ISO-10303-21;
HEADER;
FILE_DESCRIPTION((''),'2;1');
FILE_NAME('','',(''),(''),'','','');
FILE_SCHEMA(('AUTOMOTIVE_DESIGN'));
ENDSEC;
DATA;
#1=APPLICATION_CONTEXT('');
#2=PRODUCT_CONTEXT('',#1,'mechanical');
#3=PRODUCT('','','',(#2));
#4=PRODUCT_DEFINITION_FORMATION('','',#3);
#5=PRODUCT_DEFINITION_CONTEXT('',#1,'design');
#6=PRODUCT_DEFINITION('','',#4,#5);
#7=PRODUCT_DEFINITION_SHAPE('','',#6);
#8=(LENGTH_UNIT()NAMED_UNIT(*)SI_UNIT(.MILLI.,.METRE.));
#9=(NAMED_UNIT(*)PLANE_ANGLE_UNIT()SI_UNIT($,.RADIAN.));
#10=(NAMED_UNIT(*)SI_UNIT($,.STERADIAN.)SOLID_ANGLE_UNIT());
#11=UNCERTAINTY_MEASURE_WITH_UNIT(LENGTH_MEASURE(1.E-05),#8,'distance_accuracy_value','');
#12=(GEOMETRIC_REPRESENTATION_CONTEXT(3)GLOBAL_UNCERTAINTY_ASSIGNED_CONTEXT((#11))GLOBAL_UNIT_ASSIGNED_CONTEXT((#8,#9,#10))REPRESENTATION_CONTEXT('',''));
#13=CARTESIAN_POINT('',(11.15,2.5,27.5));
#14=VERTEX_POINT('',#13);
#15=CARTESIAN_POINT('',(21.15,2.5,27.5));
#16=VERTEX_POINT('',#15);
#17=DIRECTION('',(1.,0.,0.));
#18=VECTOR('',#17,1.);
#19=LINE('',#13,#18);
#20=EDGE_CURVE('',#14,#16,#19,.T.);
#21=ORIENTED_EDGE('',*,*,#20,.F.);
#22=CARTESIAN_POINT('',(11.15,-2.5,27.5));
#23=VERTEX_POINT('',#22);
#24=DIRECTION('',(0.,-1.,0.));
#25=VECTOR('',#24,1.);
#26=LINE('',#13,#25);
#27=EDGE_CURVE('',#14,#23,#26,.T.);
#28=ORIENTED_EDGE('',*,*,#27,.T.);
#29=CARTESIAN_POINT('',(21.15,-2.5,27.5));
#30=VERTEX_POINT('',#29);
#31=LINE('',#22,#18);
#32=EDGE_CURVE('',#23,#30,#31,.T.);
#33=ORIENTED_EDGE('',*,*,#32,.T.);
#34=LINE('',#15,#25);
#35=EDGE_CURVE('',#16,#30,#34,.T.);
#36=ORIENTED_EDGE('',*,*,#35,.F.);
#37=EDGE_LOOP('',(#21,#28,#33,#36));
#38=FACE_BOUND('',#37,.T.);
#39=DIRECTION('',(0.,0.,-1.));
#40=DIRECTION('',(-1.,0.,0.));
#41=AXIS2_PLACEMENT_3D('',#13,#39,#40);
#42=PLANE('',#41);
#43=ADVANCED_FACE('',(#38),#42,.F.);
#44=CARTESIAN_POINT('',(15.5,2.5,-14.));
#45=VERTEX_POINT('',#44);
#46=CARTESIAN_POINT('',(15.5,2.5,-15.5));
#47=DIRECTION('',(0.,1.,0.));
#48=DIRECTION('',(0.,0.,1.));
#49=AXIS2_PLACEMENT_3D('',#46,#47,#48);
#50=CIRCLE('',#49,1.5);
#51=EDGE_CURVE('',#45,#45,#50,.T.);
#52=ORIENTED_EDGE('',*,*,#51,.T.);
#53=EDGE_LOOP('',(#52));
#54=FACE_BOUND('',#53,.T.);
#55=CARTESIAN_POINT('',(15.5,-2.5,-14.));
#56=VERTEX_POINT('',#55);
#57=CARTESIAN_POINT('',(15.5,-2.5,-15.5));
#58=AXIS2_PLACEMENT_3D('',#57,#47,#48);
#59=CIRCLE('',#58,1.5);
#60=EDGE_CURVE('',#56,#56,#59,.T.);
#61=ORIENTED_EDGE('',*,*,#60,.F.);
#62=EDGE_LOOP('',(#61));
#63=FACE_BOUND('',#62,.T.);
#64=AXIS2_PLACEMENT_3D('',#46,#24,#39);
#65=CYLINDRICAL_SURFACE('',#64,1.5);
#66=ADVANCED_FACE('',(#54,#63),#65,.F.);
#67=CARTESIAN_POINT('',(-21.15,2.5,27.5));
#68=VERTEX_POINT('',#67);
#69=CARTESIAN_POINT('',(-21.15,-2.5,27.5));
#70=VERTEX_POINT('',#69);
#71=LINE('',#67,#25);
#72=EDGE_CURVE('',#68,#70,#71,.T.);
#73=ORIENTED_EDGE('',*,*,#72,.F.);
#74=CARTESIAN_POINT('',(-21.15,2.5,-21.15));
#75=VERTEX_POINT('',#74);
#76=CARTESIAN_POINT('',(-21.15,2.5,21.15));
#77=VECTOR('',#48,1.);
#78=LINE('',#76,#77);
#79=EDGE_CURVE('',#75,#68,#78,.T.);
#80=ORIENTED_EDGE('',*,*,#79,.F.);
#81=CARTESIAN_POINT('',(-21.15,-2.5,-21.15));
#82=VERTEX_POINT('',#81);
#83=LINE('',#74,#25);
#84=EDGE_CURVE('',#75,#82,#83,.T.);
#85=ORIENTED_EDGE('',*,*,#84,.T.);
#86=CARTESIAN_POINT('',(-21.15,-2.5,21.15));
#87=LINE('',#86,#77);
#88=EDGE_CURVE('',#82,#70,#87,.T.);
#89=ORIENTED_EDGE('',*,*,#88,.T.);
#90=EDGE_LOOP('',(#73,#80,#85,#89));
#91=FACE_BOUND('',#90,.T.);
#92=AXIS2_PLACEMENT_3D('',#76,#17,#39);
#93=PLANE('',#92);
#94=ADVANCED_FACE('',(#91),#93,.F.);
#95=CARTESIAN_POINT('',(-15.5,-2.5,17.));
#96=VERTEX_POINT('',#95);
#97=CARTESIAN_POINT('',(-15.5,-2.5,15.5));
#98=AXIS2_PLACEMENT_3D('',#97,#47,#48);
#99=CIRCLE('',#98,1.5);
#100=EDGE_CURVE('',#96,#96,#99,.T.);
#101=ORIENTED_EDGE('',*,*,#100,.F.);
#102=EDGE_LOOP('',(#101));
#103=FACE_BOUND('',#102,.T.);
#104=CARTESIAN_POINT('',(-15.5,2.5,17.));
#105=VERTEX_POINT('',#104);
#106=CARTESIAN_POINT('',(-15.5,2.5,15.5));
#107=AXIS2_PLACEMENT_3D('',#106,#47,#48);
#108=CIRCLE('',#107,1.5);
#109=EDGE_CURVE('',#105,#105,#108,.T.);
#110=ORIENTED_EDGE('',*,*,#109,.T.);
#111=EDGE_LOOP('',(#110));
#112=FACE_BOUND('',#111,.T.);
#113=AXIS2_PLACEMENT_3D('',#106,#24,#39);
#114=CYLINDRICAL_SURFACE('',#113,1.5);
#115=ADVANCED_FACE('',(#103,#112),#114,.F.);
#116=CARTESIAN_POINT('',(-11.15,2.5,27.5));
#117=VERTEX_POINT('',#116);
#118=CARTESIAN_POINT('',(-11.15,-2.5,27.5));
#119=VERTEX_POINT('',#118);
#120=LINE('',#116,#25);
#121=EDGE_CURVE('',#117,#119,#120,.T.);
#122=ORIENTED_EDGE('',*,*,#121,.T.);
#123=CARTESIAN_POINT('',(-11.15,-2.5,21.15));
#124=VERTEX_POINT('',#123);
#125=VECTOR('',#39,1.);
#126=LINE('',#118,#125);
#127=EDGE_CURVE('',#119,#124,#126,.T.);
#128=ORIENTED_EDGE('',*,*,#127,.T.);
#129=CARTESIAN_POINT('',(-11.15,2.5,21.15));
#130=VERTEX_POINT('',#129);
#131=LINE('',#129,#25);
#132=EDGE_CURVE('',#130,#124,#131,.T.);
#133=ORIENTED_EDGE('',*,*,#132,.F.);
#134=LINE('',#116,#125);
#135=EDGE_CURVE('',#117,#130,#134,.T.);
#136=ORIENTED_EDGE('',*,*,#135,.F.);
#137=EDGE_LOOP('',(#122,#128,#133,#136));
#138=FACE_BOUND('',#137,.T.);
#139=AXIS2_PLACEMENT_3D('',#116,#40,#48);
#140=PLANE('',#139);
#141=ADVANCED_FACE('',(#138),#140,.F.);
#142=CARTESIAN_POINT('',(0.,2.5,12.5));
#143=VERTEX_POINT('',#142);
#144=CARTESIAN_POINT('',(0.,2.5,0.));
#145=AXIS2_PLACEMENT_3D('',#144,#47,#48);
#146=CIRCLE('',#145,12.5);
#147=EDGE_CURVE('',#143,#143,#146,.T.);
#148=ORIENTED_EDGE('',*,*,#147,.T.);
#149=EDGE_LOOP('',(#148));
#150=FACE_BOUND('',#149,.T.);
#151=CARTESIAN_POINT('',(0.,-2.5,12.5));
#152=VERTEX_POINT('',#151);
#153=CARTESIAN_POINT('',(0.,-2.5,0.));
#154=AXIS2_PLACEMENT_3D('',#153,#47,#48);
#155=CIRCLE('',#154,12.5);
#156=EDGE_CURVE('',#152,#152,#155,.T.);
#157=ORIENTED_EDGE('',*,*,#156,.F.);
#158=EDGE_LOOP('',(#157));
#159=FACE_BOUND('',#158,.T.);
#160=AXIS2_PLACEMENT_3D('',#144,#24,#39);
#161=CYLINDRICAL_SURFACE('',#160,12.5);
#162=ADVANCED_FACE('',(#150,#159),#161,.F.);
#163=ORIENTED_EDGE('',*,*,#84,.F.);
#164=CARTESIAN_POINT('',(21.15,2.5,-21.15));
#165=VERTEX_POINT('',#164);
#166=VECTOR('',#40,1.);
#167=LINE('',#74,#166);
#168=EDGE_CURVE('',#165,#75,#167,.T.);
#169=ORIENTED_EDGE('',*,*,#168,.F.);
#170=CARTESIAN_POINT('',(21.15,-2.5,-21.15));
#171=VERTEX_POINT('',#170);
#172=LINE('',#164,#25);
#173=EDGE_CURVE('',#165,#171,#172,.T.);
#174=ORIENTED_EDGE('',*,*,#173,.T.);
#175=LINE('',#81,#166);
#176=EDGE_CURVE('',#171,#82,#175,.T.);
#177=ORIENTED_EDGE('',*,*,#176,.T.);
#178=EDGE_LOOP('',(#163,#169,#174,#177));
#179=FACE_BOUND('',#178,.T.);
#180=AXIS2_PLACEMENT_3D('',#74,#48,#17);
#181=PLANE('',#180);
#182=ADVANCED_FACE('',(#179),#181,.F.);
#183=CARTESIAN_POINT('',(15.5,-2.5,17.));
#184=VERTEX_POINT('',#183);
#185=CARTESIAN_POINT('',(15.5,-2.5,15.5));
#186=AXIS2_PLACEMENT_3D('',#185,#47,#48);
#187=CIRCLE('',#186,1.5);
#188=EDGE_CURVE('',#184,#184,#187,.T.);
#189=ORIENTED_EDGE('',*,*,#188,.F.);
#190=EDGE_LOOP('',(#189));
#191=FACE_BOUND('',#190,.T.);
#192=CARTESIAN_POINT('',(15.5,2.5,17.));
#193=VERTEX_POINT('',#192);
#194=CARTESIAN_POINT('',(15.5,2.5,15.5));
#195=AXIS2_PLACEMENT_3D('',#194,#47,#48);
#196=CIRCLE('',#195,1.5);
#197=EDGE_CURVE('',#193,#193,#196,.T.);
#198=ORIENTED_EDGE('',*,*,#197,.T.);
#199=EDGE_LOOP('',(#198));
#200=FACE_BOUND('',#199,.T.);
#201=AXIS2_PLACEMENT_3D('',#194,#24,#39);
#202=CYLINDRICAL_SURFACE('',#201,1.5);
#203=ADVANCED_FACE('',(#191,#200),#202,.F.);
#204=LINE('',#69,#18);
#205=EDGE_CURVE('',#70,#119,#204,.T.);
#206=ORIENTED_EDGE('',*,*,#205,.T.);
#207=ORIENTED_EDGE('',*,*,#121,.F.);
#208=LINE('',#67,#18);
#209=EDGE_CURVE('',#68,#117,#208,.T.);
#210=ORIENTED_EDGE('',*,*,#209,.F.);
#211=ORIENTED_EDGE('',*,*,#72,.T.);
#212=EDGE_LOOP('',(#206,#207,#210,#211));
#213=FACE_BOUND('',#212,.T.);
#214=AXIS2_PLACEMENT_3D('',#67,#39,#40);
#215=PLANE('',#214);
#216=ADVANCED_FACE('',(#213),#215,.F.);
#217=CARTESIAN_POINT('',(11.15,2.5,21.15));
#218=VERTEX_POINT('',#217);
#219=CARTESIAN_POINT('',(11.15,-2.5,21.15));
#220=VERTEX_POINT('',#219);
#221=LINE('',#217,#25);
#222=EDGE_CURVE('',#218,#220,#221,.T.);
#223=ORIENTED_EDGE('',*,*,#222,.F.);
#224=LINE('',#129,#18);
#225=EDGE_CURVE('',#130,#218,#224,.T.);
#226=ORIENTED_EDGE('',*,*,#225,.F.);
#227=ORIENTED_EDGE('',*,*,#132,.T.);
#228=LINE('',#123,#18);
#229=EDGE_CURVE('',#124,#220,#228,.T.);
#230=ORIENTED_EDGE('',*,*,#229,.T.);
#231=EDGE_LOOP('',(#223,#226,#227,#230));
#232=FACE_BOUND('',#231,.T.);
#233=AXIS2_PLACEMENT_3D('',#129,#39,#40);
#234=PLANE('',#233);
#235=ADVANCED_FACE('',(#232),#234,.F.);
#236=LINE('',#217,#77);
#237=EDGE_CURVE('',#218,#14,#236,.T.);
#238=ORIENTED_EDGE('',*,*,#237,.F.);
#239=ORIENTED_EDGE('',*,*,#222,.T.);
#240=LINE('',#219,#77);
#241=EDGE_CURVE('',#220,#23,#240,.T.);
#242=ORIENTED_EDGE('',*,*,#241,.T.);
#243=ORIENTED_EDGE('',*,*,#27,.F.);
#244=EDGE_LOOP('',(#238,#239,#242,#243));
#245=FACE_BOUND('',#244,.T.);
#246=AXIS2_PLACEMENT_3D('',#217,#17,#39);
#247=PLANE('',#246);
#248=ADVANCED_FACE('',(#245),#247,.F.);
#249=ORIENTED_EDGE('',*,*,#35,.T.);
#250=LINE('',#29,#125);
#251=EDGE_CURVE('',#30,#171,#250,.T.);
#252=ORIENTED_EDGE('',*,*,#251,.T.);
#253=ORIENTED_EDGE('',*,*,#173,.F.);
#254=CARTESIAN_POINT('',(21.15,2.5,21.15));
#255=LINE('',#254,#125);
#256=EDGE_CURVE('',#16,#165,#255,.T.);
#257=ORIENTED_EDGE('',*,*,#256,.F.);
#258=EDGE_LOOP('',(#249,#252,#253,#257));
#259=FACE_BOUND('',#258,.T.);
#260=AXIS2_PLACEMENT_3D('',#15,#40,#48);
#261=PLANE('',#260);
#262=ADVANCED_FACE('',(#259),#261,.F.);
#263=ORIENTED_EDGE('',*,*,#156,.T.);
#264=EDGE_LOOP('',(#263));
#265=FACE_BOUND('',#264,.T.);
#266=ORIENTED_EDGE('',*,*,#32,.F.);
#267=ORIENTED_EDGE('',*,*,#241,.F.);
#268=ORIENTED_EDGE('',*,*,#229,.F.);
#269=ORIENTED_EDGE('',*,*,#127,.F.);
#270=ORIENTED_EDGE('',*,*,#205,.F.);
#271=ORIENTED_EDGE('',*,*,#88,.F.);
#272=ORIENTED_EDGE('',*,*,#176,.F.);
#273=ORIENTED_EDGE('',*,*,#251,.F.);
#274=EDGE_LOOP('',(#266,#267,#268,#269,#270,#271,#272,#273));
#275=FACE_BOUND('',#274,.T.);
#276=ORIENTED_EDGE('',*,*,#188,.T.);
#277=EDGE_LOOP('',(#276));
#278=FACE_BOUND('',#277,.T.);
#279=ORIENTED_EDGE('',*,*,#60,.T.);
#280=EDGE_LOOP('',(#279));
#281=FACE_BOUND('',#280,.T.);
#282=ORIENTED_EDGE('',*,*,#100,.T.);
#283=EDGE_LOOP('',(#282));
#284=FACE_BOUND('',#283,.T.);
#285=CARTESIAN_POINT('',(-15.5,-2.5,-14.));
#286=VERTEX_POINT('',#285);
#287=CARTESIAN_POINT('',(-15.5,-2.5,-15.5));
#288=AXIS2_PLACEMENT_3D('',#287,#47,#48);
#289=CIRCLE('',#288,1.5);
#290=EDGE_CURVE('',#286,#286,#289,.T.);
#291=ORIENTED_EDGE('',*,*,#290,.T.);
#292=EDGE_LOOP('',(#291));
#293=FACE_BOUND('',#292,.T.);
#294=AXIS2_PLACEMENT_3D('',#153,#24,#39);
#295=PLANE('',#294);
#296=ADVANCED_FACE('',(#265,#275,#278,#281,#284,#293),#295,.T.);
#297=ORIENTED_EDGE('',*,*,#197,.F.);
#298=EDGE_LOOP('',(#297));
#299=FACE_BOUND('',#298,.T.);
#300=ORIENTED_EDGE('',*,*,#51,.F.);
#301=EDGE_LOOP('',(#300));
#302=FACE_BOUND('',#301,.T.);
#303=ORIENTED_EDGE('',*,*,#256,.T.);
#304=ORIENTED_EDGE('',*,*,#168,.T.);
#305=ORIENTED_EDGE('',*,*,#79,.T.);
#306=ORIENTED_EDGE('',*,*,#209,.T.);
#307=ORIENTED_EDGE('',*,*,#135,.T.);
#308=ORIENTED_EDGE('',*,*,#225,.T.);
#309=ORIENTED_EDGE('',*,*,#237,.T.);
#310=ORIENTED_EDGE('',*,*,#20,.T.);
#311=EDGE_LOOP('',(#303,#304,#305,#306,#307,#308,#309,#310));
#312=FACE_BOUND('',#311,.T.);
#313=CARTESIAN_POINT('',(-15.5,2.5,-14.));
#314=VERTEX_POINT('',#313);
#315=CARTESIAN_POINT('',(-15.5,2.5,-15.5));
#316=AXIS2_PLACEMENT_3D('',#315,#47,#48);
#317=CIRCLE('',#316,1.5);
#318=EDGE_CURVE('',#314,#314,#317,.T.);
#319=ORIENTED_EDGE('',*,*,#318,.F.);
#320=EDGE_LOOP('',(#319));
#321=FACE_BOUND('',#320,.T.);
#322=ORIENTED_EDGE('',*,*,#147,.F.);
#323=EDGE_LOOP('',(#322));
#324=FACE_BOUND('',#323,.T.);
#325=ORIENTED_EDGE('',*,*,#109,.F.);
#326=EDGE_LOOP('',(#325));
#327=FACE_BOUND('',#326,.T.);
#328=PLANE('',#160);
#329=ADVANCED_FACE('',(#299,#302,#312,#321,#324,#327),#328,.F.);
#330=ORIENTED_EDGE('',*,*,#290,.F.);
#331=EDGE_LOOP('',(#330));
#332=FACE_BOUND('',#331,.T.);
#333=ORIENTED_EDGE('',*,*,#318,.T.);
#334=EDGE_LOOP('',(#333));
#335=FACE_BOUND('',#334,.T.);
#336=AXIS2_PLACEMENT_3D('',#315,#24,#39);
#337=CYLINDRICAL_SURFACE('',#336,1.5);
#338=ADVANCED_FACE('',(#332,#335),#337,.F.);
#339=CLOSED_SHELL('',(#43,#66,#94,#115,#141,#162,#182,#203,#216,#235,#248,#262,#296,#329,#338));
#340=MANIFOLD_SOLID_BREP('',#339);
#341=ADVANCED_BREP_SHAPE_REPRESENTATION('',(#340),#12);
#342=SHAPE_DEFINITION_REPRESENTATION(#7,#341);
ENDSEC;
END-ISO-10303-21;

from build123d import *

# Parameters (mm, degrees)
SKETCH1_R           = 12.5
SKETCH1_R_2         = 1.5
BOSS_EXTRUDE1_DEPTH = 2.5


with BuildPart() as part:
    # Sketch1 → Boss-Extrude1 (new, symmetric)
    with BuildSketch(Plane(origin=(0, 0, 0), x_dir=(1, 0, 0), z_dir=(0, 1, 0))):
        Polygon((-21.15, -21.15), (-21.15, -27.5), (-11.15, -27.5), (-11.15, -21.15), (11.15, -21.15), (11.15, -27.5), (21.15, -27.5), (21.15, -21.15), (21.15, 21.15), (-21.15, 21.15), align=None)
        with Locations(Location((0, 0, 0), (0, 0, 270))):
            Circle(SKETCH1_R, mode=Mode.SUBTRACT)
        with Locations(Location((-15.5, 15.5, 0), (0, 0, 270))):
            Circle(SKETCH1_R_2, mode=Mode.SUBTRACT)
        with Locations(Location((15.5, 15.5, 0), (0, 0, 270))):
            Circle(SKETCH1_R_2, mode=Mode.SUBTRACT)
        with Locations(Location((15.5, -15.5, 0), (0, 0, 270))):
            Circle(SKETCH1_R_2, mode=Mode.SUBTRACT)
        with Locations(Location((-15.5, -15.5, 0), (0, 0, 270))):
            Circle(SKETCH1_R_2, mode=Mode.SUBTRACT)
    extrude(amount=BOSS_EXTRUDE1_DEPTH, both=True)


solid = part.part
